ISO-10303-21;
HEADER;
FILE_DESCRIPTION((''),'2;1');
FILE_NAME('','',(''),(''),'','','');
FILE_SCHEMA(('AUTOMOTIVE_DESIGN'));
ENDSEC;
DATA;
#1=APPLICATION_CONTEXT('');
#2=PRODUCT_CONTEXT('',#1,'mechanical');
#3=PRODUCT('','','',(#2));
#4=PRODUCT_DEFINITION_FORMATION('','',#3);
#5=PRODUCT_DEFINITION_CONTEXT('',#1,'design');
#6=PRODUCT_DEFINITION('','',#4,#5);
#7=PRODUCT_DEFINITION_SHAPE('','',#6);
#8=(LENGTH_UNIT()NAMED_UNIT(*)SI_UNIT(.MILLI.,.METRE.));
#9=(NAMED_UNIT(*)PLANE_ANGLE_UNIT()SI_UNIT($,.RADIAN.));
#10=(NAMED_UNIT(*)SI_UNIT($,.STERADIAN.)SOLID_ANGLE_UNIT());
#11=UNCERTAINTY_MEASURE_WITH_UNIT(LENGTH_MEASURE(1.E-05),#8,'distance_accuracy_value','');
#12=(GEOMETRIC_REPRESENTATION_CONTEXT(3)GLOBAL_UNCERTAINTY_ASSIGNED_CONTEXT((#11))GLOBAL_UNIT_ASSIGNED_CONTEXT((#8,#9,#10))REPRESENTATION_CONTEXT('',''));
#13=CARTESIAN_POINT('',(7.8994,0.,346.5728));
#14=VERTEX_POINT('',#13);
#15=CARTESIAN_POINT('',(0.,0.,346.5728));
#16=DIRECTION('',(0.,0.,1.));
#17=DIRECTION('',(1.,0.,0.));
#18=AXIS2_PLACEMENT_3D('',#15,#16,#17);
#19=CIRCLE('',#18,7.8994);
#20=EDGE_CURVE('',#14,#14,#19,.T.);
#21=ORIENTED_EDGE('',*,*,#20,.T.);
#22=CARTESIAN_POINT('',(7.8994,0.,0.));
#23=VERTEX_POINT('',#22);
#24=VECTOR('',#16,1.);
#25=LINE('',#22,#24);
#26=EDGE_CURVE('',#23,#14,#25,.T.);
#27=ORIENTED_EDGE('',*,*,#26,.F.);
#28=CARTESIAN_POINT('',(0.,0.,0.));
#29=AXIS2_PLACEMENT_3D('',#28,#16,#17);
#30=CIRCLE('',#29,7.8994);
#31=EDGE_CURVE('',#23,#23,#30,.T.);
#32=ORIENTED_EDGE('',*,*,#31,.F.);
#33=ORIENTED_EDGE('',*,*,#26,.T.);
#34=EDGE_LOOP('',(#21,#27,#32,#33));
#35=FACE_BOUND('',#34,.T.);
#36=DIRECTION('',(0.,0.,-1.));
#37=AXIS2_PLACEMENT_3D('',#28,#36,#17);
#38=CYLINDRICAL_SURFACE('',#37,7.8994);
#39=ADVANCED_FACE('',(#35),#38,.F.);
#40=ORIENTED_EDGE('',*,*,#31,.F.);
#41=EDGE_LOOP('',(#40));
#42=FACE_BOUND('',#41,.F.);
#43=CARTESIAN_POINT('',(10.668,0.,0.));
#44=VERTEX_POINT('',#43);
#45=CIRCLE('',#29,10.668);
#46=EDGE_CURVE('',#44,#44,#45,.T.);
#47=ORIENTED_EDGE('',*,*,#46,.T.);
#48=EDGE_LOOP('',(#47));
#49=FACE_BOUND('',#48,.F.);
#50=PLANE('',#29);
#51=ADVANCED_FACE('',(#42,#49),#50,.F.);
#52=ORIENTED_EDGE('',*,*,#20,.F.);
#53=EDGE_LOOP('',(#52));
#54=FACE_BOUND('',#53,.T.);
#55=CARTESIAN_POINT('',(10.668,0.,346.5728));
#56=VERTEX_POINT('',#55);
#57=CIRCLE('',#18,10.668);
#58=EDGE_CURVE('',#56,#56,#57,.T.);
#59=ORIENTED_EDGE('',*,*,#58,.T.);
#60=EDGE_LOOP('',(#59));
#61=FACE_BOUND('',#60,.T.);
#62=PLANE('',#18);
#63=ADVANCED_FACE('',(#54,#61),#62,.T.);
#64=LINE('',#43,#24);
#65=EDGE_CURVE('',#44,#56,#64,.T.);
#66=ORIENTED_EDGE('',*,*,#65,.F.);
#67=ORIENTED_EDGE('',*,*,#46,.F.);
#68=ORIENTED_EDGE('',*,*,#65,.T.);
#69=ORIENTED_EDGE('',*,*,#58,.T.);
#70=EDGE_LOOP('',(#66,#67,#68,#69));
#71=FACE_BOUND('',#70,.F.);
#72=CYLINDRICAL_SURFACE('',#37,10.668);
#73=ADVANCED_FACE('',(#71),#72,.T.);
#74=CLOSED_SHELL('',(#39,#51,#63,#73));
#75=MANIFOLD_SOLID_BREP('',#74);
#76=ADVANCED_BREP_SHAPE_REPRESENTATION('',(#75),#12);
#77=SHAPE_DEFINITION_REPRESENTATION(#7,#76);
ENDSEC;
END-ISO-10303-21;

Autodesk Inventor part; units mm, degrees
ref_plane "YZ Plane" through (0, 0, 0) normal (1, 0, 0) x (0, 1, 0)
ref_plane "Start Plane" through (0, 0, 0) normal (0, 0, 1) x (1, 0, 0)
ref_plane "End Plane" through (0, 0, 346.5728) normal (0, 0, 1) x (1, 0, 0)
sketch "Sketch" plane through (0, 0, 0) normal (0, 0, 1) x (1, 0, 0)
  circle A0 centre (0, 0) radius 7.8994
  circle A1 centre (0, 0) radius 10.668
  dimension "d0" = 21.336
  dimension "d1" = 2.7686
extrude "Body" add sketch "Sketch" along normal up to surface (346.5728 mm away) from surface at 0
sketch "Sketch3" plane through (0, 0, 0) normal (0, 0, 1) x (1, 0, 0)
  line L0 (0, 0) -> (10, 0)
ref_plane "Work Plane3" through (0, 0, 0) normal (0, -1, 0) x (1, 0, 0)
sketch "Sketch4" plane through (0, 0, 0) normal (0, -1, 0) x (1, 0, 0)
  line L0 (-2, 0) -> (12, 0) projected
  line L1 (-2, 346.5728) -> (12, 346.5728) projected
  dimension "d7" = 346.5728
equation "\"d0\" = G_H"
equation "\"d1\" = G_T"
equation "\"d2\" = G_L"
equation "\"G_H\" = 21.336"
equation "\"G_T\" = 2.7686"
equation "\"G_L\" = d7"
equation "\"G_OFFSET_START\" = 0"
equation "\"G_OFFSET_END\" = 0"
equation "\"d5\" = G_OFFSET_END + B_L"
equation "\"B_L\" = 346.57282"
properties part number "ANSI - 1/2 x 0.109 - 13.645" material "Steel, Mild"
